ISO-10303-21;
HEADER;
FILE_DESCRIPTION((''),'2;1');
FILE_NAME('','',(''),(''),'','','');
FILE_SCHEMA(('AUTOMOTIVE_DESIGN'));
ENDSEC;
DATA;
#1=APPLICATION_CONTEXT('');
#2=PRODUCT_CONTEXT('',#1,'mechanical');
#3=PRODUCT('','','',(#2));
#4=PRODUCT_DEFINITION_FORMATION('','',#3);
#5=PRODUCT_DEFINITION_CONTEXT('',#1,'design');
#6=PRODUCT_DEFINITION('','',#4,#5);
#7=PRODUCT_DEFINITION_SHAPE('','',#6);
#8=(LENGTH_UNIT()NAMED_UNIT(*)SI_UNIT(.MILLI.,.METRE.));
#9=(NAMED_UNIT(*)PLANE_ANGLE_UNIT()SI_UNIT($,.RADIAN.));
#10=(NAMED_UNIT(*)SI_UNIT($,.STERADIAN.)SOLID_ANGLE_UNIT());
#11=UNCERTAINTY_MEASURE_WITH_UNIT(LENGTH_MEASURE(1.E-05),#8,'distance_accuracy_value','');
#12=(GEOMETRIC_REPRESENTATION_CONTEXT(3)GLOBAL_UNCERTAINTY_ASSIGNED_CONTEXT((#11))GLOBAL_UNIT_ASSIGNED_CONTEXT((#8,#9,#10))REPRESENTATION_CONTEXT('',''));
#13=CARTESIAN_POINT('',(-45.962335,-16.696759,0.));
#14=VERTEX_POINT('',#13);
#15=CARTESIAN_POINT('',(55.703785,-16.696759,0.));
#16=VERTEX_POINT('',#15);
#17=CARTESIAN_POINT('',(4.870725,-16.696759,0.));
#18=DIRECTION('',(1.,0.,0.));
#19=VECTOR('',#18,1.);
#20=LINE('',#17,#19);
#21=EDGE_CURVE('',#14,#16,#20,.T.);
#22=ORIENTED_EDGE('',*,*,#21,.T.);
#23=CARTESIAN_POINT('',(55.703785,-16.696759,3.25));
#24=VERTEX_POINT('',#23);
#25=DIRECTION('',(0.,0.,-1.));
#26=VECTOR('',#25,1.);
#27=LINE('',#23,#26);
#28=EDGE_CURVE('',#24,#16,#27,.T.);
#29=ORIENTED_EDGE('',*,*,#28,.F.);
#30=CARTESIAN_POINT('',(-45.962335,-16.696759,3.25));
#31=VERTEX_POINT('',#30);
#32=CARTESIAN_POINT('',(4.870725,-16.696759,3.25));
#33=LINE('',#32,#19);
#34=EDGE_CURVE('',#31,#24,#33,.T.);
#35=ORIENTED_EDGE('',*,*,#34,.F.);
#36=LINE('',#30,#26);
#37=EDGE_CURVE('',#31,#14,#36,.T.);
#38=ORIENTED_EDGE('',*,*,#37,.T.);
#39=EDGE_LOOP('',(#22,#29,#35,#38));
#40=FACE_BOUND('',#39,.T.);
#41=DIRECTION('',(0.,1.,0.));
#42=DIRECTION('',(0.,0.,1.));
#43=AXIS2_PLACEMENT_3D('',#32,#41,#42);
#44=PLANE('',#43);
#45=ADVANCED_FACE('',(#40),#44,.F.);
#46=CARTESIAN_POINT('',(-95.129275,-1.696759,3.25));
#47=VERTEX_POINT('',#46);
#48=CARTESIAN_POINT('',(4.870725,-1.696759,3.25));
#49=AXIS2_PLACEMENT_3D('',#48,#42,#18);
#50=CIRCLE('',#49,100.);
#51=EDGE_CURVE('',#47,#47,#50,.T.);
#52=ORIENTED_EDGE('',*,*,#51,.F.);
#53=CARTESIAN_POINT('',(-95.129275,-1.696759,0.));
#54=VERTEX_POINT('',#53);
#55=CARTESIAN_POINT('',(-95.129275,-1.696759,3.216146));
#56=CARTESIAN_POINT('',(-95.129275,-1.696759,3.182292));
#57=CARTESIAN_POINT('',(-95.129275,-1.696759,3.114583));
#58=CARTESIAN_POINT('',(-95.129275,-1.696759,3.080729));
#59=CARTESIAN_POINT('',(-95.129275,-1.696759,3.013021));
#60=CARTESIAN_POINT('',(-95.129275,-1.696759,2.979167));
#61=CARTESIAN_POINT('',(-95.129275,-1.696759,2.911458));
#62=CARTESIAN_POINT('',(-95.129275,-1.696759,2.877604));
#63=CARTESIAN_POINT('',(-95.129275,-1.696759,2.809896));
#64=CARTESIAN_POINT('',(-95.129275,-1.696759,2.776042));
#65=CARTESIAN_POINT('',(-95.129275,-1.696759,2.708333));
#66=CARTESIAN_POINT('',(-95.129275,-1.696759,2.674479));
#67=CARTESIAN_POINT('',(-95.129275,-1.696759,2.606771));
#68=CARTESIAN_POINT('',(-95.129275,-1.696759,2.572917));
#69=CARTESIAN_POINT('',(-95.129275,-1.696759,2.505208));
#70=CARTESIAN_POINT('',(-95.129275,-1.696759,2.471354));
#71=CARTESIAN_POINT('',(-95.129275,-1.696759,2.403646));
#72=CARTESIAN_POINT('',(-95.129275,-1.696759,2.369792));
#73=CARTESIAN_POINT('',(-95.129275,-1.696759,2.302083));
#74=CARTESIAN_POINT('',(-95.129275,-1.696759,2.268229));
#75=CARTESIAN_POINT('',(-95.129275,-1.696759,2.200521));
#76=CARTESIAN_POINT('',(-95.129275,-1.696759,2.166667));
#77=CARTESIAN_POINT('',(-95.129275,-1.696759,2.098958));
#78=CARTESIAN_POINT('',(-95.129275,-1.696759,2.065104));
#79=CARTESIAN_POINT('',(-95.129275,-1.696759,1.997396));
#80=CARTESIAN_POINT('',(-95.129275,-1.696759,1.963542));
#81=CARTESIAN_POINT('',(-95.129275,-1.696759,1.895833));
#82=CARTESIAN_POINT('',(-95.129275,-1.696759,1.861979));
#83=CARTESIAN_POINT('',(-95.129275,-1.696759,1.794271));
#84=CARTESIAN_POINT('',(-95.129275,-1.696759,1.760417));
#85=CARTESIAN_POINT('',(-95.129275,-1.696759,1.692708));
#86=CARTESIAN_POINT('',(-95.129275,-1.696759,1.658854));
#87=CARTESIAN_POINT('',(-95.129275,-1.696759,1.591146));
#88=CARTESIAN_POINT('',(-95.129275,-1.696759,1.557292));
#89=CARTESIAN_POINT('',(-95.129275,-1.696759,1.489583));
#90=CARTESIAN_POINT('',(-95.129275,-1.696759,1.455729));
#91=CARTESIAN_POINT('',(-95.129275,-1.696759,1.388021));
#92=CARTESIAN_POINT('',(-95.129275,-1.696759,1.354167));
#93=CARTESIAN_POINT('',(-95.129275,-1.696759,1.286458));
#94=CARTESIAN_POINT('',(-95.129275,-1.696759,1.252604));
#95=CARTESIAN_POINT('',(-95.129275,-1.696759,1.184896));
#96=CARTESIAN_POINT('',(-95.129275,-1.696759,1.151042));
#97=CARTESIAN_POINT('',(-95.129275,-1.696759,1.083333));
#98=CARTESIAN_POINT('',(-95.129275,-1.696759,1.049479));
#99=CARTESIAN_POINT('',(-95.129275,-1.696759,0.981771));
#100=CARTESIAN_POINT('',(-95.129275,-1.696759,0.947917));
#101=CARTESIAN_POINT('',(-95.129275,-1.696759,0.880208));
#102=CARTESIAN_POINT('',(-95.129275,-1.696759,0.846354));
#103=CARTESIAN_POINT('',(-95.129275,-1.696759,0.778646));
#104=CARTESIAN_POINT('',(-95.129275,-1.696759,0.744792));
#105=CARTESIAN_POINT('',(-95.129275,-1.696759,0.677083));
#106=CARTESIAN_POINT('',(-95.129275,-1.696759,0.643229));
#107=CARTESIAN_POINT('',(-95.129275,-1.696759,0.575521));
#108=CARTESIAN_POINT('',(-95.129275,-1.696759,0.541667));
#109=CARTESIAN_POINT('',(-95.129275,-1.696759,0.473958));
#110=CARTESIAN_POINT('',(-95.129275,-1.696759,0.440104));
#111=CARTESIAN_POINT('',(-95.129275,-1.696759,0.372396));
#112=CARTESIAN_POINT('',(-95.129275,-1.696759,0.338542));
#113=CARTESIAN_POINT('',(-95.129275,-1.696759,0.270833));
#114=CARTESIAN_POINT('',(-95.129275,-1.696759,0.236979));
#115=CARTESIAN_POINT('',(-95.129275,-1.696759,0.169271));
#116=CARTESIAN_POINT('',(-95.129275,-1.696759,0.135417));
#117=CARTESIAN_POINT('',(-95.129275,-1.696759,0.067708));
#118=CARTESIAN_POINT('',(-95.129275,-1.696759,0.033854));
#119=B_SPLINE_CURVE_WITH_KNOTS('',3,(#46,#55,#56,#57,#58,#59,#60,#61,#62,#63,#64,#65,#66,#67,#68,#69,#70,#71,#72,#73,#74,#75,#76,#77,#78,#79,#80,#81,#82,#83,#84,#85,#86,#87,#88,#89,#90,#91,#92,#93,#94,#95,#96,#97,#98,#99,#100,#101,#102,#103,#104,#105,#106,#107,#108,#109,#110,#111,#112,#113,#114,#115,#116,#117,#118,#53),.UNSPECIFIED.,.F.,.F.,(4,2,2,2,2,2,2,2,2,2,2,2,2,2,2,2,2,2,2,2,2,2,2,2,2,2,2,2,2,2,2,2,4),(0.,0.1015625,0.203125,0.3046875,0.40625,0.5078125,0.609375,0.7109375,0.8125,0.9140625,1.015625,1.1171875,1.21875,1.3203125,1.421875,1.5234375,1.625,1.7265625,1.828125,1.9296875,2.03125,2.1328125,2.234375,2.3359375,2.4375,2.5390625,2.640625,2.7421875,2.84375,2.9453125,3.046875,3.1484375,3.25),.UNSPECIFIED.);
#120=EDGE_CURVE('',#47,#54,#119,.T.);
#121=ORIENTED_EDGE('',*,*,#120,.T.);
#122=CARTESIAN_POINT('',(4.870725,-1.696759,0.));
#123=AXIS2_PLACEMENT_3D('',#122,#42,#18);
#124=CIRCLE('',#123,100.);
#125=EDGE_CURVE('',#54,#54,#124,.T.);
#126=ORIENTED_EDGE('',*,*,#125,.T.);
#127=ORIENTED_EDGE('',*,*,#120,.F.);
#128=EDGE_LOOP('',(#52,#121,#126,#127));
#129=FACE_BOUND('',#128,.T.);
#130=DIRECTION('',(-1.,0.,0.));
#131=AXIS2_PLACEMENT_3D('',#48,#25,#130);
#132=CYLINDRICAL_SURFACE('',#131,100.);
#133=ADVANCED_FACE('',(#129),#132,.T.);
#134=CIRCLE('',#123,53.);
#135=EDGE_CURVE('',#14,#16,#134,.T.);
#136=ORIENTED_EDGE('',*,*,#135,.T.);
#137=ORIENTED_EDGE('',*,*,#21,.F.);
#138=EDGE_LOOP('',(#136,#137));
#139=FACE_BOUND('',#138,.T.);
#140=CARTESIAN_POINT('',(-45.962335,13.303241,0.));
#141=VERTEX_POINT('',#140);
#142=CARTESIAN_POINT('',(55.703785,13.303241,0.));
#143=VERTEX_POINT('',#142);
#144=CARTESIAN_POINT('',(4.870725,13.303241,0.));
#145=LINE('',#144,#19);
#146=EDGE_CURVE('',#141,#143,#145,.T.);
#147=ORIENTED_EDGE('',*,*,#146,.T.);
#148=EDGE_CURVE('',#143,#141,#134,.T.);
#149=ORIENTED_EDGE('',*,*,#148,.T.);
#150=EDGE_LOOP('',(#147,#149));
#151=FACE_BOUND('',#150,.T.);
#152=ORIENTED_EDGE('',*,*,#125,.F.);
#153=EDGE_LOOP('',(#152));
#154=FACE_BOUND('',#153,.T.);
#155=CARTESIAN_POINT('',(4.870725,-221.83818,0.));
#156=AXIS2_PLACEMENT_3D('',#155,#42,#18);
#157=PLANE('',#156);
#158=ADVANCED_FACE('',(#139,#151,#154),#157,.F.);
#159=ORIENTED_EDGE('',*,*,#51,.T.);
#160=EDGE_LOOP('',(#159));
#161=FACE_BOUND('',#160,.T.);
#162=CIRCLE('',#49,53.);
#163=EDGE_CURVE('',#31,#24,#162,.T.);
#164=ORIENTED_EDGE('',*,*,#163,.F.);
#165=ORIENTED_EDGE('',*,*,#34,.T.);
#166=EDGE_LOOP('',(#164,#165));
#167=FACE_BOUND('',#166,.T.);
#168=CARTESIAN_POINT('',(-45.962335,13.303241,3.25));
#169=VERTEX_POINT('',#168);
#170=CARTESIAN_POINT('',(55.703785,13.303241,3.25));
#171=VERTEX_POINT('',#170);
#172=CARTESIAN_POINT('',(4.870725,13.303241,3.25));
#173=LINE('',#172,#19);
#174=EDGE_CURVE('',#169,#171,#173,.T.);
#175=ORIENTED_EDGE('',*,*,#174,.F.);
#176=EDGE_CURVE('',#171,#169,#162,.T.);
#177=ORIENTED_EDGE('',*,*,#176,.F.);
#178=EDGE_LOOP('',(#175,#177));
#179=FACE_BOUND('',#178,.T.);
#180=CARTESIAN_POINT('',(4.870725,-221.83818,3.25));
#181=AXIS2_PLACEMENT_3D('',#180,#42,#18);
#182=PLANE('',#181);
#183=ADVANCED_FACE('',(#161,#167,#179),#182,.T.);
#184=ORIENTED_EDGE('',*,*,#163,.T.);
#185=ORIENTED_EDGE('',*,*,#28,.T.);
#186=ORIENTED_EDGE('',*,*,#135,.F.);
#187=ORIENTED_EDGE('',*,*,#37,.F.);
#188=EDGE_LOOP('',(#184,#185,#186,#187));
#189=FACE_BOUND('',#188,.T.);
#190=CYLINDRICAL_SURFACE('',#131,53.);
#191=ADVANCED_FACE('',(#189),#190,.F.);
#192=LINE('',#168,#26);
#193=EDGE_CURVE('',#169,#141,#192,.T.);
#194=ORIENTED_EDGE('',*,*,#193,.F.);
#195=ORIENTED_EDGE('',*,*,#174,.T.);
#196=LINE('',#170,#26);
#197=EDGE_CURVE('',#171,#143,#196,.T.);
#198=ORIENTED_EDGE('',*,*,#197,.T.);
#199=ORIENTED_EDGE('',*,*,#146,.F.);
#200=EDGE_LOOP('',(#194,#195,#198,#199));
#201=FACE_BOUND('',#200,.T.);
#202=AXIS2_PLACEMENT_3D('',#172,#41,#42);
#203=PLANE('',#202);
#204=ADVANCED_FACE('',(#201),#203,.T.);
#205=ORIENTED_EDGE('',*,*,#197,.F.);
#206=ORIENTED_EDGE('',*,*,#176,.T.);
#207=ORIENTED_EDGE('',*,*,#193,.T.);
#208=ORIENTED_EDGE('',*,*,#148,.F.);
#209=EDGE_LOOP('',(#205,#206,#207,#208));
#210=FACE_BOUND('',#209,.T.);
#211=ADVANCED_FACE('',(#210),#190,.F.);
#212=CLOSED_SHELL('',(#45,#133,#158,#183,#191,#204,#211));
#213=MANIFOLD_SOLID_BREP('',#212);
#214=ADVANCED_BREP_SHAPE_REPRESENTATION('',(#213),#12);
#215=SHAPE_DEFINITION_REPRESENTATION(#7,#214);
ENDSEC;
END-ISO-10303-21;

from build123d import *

# Parameters (mm, degrees)
SKETCH1_R           = 100
BOSS_EXTRUDE1_DEPTH = 3.25


with BuildPart() as part:
    # Sketch1 → Boss-Extrude1 (new body)
    with BuildSketch(Plane.XY):
        with Locations((4.870724861, -1.696758811)):
            Circle(SKETCH1_R)
        with BuildLine():
            ThreePointArc((55.70378497, -16.696758811), (4.870724861, -54.696758811), (-45.962335247, -16.696758811))
            Line((-45.962335247, -16.696758811), (55.70378497, -16.696758811))
        make_face(mode=Mode.SUBTRACT)
        with BuildLine():
            ThreePointArc((-45.962335247, 13.303241189), (4.870724861, 51.303241189), (55.70378497, 13.303241189))
            Line((55.70378497, 13.303241189), (-45.962335247, 13.303241189))
        make_face(mode=Mode.SUBTRACT)
    extrude(amount=BOSS_EXTRUDE1_DEPTH)


solid = part.part
